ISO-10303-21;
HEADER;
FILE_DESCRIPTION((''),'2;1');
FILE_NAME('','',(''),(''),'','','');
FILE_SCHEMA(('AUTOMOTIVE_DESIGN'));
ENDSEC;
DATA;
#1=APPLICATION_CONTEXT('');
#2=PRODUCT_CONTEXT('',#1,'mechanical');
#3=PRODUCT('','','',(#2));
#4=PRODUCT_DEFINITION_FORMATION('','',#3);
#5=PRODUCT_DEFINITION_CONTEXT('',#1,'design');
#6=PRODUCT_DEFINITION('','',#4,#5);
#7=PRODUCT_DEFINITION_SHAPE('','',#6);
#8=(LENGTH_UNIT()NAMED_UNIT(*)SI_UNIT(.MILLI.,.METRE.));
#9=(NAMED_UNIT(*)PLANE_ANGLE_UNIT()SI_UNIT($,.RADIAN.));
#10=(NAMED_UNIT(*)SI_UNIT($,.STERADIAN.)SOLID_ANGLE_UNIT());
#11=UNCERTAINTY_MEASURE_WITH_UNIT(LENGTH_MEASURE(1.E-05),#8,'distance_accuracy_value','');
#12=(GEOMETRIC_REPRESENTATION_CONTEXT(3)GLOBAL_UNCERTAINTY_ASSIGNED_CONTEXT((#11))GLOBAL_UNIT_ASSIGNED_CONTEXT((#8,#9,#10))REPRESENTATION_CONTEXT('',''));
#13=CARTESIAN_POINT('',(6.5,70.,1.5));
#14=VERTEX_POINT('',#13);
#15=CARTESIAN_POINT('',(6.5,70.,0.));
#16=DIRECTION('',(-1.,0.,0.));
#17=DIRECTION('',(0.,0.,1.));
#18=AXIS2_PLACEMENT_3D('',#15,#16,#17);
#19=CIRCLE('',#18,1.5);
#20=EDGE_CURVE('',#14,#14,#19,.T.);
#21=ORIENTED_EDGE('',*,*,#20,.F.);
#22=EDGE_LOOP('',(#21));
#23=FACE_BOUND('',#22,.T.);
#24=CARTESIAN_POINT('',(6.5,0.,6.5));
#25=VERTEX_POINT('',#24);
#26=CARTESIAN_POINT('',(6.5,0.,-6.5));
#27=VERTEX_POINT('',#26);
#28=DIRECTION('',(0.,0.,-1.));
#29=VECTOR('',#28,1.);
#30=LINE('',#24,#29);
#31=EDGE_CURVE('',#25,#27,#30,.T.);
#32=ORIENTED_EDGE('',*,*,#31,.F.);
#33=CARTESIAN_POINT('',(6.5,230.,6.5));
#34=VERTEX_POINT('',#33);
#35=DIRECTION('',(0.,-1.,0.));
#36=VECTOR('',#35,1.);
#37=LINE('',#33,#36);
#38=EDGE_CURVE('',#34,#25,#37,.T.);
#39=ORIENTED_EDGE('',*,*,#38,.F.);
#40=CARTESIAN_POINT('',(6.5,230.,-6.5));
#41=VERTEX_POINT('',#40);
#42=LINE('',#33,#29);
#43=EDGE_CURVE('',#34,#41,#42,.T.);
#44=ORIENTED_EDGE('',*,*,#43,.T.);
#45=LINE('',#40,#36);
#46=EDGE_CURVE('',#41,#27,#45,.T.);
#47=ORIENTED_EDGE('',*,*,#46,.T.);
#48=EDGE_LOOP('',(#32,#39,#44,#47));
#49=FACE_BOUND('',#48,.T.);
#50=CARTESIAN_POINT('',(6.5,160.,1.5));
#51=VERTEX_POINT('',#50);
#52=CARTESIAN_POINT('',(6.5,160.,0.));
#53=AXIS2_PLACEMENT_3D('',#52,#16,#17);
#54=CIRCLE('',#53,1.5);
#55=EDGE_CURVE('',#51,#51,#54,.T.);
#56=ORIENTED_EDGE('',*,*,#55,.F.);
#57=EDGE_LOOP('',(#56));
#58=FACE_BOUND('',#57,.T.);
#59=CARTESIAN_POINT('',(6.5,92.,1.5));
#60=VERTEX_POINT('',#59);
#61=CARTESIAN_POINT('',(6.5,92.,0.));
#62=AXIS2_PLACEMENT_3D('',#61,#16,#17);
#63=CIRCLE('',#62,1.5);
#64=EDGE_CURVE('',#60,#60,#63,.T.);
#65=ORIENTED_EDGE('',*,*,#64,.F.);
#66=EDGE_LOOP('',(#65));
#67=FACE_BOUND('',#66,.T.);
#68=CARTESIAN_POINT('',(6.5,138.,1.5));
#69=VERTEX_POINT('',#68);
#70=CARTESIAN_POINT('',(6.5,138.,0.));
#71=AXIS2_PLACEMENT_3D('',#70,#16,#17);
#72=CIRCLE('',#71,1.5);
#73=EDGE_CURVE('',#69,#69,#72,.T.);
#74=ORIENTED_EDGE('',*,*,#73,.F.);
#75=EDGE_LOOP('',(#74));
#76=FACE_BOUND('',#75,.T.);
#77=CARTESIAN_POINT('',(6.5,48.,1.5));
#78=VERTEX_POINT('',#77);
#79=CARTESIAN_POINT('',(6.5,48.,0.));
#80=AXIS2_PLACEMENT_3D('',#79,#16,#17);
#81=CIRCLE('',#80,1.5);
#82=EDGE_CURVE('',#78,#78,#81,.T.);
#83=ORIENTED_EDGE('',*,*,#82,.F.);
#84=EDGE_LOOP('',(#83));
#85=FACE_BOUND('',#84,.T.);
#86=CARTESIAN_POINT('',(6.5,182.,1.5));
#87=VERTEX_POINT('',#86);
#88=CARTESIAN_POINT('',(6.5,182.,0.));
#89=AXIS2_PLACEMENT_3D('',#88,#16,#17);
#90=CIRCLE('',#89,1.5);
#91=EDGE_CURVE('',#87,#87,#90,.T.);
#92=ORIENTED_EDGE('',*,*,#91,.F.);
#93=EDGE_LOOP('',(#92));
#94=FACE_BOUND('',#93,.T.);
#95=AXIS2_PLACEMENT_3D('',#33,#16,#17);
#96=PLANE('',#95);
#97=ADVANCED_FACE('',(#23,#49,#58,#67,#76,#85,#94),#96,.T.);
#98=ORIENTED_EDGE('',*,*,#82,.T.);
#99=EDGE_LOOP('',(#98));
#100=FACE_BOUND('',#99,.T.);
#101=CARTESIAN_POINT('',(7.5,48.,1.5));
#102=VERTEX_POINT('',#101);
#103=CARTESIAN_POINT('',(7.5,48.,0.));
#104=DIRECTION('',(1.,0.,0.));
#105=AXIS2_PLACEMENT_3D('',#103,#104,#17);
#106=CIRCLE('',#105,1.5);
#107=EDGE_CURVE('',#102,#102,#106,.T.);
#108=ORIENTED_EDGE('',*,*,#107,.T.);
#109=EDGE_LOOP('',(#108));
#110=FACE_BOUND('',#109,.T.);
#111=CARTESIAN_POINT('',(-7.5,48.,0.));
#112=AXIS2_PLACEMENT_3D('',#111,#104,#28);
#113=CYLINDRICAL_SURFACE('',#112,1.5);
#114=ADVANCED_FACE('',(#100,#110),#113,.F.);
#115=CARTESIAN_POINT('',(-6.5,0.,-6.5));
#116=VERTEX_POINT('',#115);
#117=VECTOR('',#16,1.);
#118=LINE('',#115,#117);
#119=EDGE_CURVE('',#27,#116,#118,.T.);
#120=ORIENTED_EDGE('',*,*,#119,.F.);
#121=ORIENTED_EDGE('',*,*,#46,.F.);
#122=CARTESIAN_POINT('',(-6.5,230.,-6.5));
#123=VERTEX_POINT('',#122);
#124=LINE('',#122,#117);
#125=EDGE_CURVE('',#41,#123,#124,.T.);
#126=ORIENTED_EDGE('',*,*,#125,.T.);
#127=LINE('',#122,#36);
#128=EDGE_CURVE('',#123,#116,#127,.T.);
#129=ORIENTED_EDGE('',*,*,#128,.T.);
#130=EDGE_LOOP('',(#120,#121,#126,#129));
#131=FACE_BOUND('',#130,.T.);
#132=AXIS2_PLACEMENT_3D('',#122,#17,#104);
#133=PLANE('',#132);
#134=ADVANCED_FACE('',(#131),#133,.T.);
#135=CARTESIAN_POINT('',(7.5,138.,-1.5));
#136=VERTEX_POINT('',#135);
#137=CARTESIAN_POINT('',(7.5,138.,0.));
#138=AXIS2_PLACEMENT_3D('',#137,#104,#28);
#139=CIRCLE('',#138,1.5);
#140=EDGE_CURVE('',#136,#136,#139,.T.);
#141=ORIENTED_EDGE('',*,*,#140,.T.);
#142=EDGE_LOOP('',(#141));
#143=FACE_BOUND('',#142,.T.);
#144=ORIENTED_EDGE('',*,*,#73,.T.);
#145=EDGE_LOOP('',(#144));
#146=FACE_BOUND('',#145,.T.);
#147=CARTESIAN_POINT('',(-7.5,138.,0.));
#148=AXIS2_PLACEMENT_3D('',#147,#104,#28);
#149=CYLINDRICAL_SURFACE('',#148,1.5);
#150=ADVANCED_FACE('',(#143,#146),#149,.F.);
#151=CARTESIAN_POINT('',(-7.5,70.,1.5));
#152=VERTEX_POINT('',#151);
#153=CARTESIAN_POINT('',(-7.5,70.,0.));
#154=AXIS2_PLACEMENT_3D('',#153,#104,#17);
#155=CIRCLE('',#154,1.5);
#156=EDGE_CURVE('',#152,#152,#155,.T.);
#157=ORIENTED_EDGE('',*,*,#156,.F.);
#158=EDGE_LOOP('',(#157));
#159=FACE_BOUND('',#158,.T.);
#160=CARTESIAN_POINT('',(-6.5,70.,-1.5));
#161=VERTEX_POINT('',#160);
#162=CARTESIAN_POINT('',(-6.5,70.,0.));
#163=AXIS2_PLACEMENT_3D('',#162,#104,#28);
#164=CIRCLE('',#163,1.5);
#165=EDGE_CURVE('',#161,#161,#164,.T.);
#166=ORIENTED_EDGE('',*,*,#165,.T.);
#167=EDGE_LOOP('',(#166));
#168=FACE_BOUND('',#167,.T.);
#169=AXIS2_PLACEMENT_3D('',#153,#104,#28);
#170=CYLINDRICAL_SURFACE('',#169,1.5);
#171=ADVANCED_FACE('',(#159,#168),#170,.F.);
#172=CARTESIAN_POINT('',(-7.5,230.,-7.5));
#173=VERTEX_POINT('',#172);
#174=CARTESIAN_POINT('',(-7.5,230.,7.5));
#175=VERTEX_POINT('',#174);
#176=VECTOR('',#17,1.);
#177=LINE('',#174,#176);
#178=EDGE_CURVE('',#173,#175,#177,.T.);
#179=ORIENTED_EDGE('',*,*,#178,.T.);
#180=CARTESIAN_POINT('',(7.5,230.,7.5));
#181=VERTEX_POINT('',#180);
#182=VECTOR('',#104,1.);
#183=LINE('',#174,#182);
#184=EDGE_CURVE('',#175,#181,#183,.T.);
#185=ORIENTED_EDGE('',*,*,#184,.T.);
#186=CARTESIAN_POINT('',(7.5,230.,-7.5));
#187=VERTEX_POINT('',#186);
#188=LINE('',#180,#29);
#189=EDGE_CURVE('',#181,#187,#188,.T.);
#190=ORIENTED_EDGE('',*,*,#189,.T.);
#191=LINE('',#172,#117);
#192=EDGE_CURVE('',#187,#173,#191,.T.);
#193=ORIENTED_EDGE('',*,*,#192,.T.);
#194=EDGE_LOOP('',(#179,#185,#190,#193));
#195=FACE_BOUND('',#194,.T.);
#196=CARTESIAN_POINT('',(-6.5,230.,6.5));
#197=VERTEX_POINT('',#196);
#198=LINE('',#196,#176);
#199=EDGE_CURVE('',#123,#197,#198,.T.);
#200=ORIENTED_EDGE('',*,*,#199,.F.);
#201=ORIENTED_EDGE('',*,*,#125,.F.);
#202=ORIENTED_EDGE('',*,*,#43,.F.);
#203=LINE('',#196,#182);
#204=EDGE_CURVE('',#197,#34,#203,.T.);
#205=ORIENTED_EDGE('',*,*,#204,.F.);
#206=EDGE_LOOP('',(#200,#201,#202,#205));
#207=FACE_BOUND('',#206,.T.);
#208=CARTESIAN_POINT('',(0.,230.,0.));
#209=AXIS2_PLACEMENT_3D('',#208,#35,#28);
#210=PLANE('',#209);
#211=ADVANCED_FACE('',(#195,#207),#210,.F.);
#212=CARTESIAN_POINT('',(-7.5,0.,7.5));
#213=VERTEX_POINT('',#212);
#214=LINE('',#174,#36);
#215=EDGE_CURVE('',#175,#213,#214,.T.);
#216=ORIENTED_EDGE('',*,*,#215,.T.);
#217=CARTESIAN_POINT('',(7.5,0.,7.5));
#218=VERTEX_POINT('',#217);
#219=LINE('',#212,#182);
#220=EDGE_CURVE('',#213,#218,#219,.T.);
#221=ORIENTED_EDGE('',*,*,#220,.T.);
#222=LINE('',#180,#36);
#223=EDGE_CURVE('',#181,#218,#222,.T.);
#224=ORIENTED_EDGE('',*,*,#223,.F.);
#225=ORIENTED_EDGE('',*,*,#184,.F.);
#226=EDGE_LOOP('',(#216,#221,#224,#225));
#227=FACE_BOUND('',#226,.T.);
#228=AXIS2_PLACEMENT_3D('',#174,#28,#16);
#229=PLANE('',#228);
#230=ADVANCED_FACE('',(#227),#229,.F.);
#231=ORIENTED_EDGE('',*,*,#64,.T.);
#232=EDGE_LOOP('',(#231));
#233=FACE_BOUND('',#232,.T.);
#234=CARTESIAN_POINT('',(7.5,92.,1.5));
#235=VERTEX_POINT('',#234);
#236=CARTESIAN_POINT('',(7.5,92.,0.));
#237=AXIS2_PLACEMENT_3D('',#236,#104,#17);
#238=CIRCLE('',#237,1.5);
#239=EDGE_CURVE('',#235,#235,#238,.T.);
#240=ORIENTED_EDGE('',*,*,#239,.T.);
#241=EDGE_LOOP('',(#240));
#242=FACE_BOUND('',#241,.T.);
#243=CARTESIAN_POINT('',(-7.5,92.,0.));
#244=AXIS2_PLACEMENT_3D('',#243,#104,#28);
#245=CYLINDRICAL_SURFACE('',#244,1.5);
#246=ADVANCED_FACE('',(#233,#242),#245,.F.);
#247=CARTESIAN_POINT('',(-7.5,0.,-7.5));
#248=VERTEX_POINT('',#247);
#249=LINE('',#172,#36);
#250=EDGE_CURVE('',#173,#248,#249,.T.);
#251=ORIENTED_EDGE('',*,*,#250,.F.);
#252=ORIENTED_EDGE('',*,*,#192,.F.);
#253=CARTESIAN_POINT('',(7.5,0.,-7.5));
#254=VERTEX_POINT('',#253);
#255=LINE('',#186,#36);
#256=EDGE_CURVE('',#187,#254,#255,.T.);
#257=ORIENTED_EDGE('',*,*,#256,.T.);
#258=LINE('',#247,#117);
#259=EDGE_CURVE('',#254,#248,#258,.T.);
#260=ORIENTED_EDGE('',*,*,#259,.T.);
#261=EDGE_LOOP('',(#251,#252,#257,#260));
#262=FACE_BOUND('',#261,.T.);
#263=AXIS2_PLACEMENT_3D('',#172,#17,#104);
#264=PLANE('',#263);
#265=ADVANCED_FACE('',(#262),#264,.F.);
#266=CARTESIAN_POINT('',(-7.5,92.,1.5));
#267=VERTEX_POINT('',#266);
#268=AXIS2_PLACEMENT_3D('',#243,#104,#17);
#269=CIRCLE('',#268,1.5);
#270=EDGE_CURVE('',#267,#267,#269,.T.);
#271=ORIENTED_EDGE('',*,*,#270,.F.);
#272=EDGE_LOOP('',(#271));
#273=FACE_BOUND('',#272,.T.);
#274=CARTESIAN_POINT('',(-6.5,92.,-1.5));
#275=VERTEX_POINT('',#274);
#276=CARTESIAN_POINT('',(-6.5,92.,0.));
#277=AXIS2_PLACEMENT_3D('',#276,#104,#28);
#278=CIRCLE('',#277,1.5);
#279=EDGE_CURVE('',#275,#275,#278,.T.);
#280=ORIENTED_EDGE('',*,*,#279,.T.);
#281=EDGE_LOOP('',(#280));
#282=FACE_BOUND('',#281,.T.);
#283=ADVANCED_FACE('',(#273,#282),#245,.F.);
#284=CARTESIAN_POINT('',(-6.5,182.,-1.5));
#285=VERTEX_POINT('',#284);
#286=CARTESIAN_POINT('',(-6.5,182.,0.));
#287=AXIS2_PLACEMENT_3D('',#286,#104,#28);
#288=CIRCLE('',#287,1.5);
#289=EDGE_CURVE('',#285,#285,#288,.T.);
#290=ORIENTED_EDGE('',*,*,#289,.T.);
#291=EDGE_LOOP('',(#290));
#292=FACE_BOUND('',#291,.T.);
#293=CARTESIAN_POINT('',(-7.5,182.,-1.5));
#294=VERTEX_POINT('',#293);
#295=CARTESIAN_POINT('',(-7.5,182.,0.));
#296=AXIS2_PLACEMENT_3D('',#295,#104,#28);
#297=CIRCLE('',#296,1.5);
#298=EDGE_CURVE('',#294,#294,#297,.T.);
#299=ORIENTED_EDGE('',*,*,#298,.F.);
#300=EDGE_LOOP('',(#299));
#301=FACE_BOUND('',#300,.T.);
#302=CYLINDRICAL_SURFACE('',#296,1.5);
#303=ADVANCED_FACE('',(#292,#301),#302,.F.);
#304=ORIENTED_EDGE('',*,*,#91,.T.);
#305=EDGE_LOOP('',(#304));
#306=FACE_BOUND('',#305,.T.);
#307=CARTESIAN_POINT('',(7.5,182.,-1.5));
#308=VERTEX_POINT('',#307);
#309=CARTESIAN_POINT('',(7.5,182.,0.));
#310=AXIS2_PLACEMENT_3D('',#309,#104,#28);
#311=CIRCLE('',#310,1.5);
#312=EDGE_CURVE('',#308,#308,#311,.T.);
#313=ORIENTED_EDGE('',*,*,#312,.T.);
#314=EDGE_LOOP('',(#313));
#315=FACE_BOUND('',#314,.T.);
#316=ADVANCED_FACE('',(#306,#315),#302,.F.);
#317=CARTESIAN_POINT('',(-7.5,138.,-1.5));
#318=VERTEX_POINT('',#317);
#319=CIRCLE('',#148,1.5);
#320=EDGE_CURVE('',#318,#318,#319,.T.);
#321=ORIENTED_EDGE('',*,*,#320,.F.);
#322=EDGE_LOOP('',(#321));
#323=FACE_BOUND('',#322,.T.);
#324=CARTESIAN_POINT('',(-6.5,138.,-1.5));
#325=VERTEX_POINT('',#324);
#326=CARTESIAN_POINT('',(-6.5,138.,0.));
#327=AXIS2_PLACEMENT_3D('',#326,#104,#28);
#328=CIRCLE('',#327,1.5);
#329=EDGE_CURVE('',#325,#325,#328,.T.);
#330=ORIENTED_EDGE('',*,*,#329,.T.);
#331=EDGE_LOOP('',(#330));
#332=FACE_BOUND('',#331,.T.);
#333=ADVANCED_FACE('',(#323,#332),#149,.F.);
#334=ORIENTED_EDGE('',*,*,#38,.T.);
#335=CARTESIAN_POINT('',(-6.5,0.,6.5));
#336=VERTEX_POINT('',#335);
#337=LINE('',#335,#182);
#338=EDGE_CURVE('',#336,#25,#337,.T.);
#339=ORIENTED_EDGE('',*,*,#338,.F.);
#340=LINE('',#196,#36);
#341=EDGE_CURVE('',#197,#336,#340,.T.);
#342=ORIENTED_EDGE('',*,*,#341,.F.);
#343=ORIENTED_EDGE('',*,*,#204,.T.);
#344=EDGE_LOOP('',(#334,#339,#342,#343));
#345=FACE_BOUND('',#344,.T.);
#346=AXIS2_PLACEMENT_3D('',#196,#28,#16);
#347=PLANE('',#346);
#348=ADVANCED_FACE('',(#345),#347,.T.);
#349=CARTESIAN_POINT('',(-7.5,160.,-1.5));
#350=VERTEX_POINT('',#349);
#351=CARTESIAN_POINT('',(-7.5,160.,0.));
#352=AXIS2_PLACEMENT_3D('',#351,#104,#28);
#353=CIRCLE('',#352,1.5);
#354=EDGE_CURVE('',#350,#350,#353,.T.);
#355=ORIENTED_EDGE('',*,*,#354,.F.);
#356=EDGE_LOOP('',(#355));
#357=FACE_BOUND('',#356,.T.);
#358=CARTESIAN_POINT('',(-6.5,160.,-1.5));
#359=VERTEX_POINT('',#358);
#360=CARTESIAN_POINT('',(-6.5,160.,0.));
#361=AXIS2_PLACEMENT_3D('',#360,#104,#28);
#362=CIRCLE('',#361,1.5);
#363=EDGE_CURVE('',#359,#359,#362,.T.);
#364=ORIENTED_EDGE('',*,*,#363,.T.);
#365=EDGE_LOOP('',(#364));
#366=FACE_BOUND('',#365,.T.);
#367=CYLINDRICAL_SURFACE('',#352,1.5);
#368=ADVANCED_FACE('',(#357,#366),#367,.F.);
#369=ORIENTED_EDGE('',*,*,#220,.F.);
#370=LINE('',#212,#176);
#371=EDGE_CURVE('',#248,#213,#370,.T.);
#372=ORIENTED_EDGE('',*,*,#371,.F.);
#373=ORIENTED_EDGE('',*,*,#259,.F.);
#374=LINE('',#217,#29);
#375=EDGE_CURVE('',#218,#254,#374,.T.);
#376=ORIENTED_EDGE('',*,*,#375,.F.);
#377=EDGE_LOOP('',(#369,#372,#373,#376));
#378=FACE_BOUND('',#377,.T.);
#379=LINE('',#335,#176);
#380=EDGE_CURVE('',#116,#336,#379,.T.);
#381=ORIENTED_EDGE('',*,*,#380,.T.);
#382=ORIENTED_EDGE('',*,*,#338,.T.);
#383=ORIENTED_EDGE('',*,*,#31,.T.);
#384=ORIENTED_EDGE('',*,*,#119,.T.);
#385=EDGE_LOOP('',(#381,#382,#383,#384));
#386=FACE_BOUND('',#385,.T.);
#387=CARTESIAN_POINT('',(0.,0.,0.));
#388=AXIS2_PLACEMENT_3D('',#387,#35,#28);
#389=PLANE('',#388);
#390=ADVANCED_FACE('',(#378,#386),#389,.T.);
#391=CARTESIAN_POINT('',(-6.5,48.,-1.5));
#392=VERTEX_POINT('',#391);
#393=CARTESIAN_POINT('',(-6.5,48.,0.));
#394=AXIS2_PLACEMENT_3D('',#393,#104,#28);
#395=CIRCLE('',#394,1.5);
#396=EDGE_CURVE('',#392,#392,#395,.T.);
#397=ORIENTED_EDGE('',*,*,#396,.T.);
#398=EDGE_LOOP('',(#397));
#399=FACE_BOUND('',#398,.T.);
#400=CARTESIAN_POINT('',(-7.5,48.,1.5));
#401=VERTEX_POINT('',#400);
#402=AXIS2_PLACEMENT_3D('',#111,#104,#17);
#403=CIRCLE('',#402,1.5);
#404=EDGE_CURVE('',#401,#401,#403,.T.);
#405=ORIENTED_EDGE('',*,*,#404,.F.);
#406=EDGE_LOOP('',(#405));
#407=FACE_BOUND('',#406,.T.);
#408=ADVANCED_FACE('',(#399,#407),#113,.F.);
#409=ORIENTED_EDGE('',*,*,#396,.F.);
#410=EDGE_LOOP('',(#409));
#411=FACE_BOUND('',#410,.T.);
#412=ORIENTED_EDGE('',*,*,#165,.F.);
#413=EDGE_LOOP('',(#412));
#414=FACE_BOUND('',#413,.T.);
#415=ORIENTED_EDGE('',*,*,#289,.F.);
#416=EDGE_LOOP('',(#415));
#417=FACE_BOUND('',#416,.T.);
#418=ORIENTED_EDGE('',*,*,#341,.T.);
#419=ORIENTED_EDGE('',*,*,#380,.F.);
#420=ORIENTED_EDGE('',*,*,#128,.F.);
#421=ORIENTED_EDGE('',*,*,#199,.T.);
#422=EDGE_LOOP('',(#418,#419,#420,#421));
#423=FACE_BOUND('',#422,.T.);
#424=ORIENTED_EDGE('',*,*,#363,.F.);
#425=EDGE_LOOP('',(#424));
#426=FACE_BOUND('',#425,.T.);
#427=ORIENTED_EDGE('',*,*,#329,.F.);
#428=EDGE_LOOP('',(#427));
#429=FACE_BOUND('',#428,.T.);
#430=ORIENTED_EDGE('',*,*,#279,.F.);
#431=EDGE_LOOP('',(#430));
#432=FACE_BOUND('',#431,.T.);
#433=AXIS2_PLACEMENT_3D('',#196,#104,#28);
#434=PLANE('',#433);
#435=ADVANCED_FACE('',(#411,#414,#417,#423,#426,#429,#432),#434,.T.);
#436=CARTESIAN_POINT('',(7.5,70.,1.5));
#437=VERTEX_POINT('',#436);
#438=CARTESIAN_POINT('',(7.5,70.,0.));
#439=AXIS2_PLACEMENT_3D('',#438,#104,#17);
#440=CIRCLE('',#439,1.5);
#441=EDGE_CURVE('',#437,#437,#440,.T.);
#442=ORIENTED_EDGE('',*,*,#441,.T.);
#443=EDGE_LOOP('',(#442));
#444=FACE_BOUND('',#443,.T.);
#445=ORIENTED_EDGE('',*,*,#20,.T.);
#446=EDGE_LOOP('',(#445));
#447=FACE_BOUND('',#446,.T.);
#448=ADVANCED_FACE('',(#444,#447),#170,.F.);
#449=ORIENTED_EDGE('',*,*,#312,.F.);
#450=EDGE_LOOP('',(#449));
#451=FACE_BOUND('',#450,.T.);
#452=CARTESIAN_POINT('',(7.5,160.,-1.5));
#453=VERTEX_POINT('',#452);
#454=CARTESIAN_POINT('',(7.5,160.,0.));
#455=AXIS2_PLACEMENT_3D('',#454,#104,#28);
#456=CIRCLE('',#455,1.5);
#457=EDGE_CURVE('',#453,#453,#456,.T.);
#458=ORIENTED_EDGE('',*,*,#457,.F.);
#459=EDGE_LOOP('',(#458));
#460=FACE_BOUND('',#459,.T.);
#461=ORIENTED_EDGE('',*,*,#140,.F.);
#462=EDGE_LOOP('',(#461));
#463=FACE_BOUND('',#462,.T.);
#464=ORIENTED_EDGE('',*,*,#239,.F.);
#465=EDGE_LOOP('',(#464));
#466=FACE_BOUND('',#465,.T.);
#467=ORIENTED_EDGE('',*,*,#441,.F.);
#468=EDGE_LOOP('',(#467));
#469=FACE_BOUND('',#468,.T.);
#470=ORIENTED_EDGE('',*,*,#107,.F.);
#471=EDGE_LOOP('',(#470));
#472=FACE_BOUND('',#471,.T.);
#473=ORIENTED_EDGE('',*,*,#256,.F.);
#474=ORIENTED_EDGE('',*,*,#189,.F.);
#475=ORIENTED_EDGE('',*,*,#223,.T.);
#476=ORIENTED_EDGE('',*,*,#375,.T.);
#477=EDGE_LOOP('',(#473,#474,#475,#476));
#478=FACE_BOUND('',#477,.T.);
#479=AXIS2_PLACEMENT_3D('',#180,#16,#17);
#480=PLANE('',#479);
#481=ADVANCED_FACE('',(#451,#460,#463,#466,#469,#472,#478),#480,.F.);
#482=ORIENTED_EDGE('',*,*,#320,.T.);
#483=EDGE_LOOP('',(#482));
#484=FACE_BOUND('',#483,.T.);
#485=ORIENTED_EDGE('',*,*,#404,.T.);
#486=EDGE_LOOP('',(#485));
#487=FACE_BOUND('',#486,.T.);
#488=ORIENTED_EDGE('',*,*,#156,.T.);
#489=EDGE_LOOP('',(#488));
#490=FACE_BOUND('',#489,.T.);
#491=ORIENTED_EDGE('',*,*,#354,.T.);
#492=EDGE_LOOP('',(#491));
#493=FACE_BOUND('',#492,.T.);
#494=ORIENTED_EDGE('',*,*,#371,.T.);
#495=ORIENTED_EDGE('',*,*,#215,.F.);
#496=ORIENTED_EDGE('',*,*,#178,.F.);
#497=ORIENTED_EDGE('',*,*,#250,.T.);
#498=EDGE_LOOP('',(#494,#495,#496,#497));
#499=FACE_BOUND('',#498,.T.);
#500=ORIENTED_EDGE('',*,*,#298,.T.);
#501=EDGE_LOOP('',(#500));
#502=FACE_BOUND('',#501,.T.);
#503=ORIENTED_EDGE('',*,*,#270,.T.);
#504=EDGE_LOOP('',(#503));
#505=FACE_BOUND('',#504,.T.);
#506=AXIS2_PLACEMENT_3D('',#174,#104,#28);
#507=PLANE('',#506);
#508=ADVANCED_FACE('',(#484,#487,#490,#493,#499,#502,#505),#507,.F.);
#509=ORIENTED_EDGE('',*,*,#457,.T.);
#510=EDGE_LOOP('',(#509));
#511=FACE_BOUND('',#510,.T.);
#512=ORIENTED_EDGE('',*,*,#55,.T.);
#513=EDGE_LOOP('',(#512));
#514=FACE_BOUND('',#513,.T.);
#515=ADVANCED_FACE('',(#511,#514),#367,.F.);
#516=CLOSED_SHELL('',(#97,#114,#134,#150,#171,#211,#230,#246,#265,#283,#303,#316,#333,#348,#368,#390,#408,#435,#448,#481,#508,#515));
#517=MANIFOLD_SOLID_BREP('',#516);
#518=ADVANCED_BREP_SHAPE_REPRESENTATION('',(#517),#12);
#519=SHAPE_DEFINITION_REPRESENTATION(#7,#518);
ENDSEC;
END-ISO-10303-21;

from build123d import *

# Parameters (mm, degrees)
SKETCH_1_W          = 15
SKETCH_1_H          = 15
SKETCH_1_W_2        = 13
SKETCH_1_H_2        = 13
EXTRUDE_1_DEPTH     = 230
SKETCH_2_R          = 1.5
CUT_EXTRUDE_1_DEPTH = 231.610602532


with BuildPart() as part:
    # 草图1 → 凸台-拉伸1 (new body)
    with BuildSketch(Plane(origin=(0, 0, 0), x_dir=(1, 0, 0), z_dir=(0, 1, 0))):
        Rectangle(SKETCH_1_W, SKETCH_1_H)
        Rectangle(SKETCH_1_W_2, SKETCH_1_H_2, mode=Mode.SUBTRACT)
    extrude(amount=EXTRUDE_1_DEPTH)

    # 草图2 → 切除-拉伸1 (cut, through all)
    with BuildSketch(Plane(origin=(7.5, 0, 0), x_dir=(0, 0, -1), z_dir=(1, 0, 0))):
        with Locations((0, 160)):
            Circle(SKETCH_2_R)
        with Locations((0, 138)):
            Circle(SKETCH_2_R)
        with Locations((0, 182)):
            Circle(SKETCH_2_R)
        with Locations(Location((0, 48, 0), (0, 0, 180))):
            Circle(SKETCH_2_R)
        with Locations(Location((0, 92, 0), (0, 0, 180))):
            Circle(SKETCH_2_R)
        with Locations(Location((0, 70, 0), (0, 0, 180))):
            Circle(SKETCH_2_R)
    extrude(amount=-CUT_EXTRUDE_1_DEPTH, mode=Mode.SUBTRACT)


solid = part.part
